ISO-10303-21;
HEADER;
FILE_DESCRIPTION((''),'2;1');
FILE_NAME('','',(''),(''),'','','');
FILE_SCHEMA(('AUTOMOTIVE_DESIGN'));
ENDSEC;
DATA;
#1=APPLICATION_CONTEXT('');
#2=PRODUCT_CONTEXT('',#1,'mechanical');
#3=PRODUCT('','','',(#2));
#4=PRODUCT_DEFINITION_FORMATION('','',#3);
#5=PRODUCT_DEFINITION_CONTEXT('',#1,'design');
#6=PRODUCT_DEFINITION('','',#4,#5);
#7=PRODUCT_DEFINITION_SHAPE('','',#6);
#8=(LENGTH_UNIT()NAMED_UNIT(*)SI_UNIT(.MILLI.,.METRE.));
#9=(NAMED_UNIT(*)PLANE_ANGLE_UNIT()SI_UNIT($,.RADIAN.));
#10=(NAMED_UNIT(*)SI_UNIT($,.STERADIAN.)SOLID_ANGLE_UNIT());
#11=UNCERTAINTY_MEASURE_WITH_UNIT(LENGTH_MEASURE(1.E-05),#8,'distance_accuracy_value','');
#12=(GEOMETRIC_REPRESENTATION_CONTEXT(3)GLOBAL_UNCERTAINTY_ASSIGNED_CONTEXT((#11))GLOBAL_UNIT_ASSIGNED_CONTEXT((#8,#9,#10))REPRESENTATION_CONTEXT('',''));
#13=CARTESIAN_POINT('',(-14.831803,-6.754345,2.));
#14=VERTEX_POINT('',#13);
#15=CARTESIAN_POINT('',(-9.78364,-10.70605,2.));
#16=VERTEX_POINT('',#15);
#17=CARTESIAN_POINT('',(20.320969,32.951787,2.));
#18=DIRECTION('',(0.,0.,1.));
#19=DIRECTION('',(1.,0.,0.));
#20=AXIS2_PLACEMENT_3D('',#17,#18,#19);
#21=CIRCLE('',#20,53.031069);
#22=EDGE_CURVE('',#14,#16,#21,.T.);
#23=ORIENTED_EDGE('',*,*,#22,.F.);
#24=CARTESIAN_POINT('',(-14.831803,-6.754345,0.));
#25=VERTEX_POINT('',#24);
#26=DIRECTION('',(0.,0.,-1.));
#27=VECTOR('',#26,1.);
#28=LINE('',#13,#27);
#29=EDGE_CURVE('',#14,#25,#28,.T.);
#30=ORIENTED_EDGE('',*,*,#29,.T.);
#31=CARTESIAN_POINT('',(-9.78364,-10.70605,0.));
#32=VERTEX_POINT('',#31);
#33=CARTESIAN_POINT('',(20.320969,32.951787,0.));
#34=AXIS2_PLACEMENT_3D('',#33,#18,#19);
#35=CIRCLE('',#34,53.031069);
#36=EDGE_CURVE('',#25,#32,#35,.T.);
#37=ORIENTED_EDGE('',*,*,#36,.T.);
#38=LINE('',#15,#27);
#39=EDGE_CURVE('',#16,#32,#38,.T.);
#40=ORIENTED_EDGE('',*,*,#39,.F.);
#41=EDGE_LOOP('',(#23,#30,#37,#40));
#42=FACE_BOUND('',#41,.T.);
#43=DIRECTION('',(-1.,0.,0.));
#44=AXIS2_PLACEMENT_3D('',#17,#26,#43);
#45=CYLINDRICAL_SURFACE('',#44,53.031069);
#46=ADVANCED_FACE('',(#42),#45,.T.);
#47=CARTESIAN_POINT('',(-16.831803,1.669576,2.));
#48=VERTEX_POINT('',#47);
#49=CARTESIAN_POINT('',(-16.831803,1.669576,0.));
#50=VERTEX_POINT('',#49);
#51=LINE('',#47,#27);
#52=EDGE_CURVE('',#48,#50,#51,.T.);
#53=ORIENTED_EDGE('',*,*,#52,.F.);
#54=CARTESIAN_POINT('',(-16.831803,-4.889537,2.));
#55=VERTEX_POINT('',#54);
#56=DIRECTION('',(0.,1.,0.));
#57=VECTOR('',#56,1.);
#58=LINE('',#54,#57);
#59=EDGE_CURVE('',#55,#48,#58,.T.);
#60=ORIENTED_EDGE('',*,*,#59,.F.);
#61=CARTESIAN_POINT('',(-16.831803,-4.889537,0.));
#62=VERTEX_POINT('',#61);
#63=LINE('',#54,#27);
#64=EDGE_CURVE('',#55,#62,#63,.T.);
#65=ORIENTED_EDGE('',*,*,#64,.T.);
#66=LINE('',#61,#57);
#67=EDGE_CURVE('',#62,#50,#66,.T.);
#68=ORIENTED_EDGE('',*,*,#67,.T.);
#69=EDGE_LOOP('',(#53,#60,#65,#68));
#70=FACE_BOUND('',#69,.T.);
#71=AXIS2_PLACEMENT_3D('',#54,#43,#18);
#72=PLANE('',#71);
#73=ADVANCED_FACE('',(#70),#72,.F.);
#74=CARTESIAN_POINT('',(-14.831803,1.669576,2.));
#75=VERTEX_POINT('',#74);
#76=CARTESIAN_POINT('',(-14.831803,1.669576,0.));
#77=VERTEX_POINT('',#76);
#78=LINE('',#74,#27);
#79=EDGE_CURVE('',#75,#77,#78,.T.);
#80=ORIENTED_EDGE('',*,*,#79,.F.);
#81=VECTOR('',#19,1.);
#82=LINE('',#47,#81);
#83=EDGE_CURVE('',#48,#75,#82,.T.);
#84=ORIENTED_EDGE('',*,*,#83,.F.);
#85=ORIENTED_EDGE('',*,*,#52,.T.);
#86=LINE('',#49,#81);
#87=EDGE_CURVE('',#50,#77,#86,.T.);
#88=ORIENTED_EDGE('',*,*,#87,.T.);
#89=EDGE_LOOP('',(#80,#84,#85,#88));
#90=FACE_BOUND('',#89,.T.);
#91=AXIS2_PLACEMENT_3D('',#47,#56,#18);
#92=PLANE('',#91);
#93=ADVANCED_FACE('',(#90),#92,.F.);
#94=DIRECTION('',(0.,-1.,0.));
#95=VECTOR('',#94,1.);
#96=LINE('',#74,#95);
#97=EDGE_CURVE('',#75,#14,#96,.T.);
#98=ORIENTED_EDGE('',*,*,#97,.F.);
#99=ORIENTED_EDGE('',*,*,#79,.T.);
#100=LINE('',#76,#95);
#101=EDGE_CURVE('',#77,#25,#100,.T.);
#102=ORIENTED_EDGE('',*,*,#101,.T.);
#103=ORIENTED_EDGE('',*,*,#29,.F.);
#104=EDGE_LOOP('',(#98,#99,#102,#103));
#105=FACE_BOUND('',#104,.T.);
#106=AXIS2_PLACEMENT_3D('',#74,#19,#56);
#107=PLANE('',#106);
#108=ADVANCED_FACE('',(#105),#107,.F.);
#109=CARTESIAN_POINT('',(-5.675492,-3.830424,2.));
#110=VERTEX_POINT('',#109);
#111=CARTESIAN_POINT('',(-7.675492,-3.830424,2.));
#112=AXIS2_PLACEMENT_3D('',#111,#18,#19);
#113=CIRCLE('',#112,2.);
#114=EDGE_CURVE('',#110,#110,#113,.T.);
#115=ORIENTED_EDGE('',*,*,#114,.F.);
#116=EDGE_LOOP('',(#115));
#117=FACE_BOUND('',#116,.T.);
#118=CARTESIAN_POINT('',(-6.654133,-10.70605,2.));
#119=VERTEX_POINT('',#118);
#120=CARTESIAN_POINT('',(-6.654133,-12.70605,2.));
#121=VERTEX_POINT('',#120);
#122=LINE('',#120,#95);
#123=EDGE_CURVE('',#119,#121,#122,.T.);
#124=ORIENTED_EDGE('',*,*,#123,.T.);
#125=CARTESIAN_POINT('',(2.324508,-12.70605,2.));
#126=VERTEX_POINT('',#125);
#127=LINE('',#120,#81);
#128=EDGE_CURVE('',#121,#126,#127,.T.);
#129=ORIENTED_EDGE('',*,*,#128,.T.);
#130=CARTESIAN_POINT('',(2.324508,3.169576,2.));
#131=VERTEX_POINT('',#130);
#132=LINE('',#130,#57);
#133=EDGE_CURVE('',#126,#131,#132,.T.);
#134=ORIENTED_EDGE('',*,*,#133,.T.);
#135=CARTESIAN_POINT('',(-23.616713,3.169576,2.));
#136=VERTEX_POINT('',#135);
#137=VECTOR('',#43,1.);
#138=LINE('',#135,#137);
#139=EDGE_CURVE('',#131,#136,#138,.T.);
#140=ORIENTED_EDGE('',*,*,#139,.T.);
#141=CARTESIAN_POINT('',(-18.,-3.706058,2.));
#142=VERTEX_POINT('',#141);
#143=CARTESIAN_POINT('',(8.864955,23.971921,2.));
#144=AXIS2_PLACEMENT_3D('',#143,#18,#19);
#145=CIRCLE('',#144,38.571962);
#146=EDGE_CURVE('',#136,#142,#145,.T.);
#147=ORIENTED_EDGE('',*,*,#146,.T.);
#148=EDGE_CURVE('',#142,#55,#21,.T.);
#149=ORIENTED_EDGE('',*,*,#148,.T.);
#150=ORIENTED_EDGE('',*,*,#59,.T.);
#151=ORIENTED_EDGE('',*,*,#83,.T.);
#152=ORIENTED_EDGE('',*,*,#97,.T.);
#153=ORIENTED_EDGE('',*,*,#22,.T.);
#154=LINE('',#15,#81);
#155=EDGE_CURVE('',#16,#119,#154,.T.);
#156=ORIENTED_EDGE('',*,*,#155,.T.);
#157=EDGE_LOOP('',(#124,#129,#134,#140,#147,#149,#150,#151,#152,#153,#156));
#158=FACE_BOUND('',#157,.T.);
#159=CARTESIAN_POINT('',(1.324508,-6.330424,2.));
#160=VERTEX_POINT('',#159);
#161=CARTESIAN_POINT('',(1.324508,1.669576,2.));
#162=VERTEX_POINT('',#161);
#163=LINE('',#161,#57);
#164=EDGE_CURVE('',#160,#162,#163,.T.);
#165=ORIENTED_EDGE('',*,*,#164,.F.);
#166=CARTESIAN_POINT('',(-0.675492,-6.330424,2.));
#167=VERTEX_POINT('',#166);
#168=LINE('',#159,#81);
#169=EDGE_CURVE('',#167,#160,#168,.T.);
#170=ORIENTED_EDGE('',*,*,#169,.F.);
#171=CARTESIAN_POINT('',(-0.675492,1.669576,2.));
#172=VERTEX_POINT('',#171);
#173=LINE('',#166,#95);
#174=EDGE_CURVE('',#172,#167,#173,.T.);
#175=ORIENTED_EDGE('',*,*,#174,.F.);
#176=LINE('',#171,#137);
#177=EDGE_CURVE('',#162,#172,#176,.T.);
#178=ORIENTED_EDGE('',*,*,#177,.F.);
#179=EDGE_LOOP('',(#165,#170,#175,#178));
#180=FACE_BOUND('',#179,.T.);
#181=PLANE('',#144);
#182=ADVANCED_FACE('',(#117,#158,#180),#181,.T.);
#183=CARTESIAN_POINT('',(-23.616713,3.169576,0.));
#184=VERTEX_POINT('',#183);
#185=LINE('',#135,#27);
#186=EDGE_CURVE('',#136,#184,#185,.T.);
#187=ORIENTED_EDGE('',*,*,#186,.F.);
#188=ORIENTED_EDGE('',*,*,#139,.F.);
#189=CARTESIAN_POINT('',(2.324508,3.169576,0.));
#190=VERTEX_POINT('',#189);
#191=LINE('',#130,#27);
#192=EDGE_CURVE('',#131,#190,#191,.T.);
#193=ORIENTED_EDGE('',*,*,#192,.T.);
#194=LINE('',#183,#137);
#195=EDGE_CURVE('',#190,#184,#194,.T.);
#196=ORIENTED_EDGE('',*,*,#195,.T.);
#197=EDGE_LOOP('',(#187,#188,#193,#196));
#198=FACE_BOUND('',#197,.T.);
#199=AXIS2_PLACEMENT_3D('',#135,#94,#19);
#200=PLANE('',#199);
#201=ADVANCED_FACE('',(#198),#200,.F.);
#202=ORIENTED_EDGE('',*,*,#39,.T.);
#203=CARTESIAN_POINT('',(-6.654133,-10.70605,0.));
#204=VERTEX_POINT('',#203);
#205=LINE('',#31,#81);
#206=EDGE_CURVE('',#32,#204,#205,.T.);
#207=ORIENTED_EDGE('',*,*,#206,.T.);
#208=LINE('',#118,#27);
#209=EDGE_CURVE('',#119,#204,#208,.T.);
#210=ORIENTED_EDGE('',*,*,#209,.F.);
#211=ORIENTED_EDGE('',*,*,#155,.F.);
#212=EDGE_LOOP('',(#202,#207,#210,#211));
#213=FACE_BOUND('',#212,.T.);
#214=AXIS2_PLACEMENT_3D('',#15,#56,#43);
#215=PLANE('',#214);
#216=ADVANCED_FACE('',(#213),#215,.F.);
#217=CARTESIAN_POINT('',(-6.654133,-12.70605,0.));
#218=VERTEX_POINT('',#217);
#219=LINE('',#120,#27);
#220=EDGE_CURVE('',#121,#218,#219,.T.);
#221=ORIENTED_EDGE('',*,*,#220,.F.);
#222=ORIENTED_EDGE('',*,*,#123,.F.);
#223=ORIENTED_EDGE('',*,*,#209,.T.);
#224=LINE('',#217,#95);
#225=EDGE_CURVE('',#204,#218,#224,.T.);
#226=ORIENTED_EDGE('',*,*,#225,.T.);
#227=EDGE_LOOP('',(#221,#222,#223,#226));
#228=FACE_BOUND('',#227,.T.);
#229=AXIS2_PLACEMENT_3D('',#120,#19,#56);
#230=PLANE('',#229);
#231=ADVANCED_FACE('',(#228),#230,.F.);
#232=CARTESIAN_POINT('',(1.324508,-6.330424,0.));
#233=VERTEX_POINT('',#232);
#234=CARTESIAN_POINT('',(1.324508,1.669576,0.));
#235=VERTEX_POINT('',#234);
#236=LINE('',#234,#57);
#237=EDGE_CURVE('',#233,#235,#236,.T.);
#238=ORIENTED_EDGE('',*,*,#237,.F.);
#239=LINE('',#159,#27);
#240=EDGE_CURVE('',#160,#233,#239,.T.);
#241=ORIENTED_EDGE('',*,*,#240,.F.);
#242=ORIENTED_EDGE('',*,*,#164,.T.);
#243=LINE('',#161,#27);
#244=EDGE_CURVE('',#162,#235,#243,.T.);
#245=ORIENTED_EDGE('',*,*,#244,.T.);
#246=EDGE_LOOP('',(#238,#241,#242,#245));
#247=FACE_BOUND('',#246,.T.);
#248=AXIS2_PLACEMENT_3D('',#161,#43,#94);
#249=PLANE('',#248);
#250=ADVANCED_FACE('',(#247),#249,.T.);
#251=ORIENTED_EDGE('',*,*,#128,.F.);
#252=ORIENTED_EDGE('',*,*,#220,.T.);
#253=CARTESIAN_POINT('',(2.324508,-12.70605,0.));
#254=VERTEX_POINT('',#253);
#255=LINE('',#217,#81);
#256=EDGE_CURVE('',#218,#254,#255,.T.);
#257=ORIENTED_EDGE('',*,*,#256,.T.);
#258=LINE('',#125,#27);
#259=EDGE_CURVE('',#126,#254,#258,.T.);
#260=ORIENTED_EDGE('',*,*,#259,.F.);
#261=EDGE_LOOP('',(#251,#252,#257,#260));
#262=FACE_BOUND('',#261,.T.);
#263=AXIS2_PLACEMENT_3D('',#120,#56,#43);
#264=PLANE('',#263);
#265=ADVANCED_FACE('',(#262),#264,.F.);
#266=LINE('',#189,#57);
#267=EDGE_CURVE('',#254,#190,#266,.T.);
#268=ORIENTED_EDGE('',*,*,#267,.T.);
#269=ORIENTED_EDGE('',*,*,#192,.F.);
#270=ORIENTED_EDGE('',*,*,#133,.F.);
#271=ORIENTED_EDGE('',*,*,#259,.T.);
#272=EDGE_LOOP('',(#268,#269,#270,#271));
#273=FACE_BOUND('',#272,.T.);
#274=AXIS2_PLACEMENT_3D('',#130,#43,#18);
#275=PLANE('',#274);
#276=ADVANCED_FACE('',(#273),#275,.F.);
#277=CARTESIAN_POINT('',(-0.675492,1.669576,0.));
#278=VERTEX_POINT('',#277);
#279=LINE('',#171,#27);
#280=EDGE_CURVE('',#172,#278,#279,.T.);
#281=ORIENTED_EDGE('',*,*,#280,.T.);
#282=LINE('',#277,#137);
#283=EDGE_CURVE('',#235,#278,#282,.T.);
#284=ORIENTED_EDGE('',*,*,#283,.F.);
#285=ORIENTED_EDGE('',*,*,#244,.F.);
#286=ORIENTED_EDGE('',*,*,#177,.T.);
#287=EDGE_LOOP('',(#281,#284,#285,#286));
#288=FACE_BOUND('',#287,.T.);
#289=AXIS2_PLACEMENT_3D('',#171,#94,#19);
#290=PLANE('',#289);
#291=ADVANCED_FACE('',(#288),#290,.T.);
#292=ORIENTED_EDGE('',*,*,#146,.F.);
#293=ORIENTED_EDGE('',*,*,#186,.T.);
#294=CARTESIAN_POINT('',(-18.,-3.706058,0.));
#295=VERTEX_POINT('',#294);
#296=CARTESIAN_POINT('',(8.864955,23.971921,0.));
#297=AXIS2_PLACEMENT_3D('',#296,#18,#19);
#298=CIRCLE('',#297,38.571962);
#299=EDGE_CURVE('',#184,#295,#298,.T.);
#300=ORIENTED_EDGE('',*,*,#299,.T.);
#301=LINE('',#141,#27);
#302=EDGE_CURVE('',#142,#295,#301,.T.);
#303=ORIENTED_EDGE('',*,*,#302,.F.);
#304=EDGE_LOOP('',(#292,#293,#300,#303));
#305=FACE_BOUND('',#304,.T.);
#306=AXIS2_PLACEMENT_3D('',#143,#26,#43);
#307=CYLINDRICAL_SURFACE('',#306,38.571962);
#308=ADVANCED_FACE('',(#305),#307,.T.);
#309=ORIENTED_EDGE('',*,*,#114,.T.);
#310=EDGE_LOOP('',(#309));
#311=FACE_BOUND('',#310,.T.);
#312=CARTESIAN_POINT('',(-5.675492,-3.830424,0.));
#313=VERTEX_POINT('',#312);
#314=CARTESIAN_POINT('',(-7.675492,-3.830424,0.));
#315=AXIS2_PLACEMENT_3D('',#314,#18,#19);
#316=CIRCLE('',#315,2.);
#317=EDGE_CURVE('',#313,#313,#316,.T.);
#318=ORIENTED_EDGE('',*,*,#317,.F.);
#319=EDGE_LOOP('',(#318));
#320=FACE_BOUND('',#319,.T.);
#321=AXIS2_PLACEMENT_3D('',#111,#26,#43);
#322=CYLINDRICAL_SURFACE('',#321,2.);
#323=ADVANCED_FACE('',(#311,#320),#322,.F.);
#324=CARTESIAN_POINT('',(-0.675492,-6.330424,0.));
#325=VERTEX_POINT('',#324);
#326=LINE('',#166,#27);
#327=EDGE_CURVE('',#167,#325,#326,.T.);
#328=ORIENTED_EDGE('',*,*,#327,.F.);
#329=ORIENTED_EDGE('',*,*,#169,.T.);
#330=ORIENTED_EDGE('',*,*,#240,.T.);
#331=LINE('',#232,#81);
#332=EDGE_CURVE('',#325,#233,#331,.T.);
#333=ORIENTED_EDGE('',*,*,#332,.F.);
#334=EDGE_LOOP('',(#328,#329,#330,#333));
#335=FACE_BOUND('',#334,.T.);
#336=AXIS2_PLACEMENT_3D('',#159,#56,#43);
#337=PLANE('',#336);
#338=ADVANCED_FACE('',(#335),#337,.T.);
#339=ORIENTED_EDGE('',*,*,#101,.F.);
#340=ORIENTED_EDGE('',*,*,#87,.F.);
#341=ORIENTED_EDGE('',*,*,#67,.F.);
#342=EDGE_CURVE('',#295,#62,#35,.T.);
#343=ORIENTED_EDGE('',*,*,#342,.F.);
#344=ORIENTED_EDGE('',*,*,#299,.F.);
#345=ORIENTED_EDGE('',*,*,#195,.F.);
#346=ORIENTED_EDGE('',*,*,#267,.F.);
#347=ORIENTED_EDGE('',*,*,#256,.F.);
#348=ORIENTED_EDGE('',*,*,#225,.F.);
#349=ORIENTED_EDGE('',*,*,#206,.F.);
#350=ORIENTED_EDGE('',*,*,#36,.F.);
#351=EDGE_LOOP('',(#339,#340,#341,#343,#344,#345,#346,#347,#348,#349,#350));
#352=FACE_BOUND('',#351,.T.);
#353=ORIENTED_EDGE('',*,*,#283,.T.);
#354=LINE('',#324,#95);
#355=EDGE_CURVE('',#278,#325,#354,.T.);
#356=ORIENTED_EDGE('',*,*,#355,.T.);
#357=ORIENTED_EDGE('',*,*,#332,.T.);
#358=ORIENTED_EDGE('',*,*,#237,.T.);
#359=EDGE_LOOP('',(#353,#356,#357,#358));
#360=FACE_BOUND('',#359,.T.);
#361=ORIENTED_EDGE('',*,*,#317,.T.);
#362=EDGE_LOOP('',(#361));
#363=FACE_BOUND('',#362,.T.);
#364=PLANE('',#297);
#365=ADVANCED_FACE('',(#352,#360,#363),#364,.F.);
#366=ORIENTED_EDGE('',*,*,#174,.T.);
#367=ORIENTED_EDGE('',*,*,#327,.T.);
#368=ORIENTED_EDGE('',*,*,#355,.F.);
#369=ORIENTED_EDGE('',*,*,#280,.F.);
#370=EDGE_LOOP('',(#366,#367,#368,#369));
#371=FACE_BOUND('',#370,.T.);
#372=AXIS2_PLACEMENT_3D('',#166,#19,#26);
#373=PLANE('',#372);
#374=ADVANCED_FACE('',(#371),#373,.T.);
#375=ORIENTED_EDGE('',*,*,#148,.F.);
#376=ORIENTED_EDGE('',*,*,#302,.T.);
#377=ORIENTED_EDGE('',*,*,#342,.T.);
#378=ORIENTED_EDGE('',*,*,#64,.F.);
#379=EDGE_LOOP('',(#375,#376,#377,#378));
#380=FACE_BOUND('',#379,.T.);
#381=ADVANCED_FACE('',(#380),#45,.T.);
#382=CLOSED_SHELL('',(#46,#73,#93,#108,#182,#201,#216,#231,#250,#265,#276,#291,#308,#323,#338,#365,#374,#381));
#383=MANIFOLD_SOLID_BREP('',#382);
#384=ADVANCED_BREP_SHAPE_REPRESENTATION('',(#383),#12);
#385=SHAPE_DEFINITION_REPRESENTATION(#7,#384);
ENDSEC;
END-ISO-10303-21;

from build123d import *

# Parameters (mm, degrees)
SKETCH1_R           = 2
SKETCH1_W           = 2
SKETCH1_H           = 8
BOSS_EXTRUDE1_DEPTH = 2


with BuildPart() as part:
    # Sketch1 → Boss-Extrude1 (new body)
    with BuildSketch(Plane.XY):
        with BuildLine():
            Line((-6.654132998, -12.706050279), (-6.654132998, -10.706050279))
            Line((-6.654132998, -10.706050279), (-9.783639909, -10.706050279))
            ThreePointArc((-9.783639909, -10.706050279), (-12.367491039, -8.806551261), (-14.831802528, -6.754344625))
            Line((-14.831802528, -6.754344625), (-14.831802528, 1.669576319))
            Line((-14.831802528, 1.669576319), (-16.831802528, 1.669576319))
            Line((-16.831802528, 1.669576319), (-16.831802528, -4.889537014))
            ThreePointArc((-16.831802528, -4.889537014), (-17.420540419, -4.302376557), (-18, -3.706057599))
            ThreePointArc((-18, -3.706057599), (-21.006837803, -0.430380182), (-23.616713146, 3.169576319))
            Line((-23.616713146, 3.169576319), (2.324507934, 3.169576319))
            Line((2.324507934, 3.169576319), (2.324507934, -12.706050279))
            Line((2.324507934, -12.706050279), (-6.654132998, -12.706050279))
        make_face()
        with Locations((-7.675492066, -3.830423681)):
            Circle(SKETCH1_R, mode=Mode.SUBTRACT)
        with Locations((0.324507934, -2.330423681)):
            Rectangle(SKETCH1_W, SKETCH1_H, mode=Mode.SUBTRACT)
    extrude(amount=BOSS_EXTRUDE1_DEPTH)


solid = part.part
